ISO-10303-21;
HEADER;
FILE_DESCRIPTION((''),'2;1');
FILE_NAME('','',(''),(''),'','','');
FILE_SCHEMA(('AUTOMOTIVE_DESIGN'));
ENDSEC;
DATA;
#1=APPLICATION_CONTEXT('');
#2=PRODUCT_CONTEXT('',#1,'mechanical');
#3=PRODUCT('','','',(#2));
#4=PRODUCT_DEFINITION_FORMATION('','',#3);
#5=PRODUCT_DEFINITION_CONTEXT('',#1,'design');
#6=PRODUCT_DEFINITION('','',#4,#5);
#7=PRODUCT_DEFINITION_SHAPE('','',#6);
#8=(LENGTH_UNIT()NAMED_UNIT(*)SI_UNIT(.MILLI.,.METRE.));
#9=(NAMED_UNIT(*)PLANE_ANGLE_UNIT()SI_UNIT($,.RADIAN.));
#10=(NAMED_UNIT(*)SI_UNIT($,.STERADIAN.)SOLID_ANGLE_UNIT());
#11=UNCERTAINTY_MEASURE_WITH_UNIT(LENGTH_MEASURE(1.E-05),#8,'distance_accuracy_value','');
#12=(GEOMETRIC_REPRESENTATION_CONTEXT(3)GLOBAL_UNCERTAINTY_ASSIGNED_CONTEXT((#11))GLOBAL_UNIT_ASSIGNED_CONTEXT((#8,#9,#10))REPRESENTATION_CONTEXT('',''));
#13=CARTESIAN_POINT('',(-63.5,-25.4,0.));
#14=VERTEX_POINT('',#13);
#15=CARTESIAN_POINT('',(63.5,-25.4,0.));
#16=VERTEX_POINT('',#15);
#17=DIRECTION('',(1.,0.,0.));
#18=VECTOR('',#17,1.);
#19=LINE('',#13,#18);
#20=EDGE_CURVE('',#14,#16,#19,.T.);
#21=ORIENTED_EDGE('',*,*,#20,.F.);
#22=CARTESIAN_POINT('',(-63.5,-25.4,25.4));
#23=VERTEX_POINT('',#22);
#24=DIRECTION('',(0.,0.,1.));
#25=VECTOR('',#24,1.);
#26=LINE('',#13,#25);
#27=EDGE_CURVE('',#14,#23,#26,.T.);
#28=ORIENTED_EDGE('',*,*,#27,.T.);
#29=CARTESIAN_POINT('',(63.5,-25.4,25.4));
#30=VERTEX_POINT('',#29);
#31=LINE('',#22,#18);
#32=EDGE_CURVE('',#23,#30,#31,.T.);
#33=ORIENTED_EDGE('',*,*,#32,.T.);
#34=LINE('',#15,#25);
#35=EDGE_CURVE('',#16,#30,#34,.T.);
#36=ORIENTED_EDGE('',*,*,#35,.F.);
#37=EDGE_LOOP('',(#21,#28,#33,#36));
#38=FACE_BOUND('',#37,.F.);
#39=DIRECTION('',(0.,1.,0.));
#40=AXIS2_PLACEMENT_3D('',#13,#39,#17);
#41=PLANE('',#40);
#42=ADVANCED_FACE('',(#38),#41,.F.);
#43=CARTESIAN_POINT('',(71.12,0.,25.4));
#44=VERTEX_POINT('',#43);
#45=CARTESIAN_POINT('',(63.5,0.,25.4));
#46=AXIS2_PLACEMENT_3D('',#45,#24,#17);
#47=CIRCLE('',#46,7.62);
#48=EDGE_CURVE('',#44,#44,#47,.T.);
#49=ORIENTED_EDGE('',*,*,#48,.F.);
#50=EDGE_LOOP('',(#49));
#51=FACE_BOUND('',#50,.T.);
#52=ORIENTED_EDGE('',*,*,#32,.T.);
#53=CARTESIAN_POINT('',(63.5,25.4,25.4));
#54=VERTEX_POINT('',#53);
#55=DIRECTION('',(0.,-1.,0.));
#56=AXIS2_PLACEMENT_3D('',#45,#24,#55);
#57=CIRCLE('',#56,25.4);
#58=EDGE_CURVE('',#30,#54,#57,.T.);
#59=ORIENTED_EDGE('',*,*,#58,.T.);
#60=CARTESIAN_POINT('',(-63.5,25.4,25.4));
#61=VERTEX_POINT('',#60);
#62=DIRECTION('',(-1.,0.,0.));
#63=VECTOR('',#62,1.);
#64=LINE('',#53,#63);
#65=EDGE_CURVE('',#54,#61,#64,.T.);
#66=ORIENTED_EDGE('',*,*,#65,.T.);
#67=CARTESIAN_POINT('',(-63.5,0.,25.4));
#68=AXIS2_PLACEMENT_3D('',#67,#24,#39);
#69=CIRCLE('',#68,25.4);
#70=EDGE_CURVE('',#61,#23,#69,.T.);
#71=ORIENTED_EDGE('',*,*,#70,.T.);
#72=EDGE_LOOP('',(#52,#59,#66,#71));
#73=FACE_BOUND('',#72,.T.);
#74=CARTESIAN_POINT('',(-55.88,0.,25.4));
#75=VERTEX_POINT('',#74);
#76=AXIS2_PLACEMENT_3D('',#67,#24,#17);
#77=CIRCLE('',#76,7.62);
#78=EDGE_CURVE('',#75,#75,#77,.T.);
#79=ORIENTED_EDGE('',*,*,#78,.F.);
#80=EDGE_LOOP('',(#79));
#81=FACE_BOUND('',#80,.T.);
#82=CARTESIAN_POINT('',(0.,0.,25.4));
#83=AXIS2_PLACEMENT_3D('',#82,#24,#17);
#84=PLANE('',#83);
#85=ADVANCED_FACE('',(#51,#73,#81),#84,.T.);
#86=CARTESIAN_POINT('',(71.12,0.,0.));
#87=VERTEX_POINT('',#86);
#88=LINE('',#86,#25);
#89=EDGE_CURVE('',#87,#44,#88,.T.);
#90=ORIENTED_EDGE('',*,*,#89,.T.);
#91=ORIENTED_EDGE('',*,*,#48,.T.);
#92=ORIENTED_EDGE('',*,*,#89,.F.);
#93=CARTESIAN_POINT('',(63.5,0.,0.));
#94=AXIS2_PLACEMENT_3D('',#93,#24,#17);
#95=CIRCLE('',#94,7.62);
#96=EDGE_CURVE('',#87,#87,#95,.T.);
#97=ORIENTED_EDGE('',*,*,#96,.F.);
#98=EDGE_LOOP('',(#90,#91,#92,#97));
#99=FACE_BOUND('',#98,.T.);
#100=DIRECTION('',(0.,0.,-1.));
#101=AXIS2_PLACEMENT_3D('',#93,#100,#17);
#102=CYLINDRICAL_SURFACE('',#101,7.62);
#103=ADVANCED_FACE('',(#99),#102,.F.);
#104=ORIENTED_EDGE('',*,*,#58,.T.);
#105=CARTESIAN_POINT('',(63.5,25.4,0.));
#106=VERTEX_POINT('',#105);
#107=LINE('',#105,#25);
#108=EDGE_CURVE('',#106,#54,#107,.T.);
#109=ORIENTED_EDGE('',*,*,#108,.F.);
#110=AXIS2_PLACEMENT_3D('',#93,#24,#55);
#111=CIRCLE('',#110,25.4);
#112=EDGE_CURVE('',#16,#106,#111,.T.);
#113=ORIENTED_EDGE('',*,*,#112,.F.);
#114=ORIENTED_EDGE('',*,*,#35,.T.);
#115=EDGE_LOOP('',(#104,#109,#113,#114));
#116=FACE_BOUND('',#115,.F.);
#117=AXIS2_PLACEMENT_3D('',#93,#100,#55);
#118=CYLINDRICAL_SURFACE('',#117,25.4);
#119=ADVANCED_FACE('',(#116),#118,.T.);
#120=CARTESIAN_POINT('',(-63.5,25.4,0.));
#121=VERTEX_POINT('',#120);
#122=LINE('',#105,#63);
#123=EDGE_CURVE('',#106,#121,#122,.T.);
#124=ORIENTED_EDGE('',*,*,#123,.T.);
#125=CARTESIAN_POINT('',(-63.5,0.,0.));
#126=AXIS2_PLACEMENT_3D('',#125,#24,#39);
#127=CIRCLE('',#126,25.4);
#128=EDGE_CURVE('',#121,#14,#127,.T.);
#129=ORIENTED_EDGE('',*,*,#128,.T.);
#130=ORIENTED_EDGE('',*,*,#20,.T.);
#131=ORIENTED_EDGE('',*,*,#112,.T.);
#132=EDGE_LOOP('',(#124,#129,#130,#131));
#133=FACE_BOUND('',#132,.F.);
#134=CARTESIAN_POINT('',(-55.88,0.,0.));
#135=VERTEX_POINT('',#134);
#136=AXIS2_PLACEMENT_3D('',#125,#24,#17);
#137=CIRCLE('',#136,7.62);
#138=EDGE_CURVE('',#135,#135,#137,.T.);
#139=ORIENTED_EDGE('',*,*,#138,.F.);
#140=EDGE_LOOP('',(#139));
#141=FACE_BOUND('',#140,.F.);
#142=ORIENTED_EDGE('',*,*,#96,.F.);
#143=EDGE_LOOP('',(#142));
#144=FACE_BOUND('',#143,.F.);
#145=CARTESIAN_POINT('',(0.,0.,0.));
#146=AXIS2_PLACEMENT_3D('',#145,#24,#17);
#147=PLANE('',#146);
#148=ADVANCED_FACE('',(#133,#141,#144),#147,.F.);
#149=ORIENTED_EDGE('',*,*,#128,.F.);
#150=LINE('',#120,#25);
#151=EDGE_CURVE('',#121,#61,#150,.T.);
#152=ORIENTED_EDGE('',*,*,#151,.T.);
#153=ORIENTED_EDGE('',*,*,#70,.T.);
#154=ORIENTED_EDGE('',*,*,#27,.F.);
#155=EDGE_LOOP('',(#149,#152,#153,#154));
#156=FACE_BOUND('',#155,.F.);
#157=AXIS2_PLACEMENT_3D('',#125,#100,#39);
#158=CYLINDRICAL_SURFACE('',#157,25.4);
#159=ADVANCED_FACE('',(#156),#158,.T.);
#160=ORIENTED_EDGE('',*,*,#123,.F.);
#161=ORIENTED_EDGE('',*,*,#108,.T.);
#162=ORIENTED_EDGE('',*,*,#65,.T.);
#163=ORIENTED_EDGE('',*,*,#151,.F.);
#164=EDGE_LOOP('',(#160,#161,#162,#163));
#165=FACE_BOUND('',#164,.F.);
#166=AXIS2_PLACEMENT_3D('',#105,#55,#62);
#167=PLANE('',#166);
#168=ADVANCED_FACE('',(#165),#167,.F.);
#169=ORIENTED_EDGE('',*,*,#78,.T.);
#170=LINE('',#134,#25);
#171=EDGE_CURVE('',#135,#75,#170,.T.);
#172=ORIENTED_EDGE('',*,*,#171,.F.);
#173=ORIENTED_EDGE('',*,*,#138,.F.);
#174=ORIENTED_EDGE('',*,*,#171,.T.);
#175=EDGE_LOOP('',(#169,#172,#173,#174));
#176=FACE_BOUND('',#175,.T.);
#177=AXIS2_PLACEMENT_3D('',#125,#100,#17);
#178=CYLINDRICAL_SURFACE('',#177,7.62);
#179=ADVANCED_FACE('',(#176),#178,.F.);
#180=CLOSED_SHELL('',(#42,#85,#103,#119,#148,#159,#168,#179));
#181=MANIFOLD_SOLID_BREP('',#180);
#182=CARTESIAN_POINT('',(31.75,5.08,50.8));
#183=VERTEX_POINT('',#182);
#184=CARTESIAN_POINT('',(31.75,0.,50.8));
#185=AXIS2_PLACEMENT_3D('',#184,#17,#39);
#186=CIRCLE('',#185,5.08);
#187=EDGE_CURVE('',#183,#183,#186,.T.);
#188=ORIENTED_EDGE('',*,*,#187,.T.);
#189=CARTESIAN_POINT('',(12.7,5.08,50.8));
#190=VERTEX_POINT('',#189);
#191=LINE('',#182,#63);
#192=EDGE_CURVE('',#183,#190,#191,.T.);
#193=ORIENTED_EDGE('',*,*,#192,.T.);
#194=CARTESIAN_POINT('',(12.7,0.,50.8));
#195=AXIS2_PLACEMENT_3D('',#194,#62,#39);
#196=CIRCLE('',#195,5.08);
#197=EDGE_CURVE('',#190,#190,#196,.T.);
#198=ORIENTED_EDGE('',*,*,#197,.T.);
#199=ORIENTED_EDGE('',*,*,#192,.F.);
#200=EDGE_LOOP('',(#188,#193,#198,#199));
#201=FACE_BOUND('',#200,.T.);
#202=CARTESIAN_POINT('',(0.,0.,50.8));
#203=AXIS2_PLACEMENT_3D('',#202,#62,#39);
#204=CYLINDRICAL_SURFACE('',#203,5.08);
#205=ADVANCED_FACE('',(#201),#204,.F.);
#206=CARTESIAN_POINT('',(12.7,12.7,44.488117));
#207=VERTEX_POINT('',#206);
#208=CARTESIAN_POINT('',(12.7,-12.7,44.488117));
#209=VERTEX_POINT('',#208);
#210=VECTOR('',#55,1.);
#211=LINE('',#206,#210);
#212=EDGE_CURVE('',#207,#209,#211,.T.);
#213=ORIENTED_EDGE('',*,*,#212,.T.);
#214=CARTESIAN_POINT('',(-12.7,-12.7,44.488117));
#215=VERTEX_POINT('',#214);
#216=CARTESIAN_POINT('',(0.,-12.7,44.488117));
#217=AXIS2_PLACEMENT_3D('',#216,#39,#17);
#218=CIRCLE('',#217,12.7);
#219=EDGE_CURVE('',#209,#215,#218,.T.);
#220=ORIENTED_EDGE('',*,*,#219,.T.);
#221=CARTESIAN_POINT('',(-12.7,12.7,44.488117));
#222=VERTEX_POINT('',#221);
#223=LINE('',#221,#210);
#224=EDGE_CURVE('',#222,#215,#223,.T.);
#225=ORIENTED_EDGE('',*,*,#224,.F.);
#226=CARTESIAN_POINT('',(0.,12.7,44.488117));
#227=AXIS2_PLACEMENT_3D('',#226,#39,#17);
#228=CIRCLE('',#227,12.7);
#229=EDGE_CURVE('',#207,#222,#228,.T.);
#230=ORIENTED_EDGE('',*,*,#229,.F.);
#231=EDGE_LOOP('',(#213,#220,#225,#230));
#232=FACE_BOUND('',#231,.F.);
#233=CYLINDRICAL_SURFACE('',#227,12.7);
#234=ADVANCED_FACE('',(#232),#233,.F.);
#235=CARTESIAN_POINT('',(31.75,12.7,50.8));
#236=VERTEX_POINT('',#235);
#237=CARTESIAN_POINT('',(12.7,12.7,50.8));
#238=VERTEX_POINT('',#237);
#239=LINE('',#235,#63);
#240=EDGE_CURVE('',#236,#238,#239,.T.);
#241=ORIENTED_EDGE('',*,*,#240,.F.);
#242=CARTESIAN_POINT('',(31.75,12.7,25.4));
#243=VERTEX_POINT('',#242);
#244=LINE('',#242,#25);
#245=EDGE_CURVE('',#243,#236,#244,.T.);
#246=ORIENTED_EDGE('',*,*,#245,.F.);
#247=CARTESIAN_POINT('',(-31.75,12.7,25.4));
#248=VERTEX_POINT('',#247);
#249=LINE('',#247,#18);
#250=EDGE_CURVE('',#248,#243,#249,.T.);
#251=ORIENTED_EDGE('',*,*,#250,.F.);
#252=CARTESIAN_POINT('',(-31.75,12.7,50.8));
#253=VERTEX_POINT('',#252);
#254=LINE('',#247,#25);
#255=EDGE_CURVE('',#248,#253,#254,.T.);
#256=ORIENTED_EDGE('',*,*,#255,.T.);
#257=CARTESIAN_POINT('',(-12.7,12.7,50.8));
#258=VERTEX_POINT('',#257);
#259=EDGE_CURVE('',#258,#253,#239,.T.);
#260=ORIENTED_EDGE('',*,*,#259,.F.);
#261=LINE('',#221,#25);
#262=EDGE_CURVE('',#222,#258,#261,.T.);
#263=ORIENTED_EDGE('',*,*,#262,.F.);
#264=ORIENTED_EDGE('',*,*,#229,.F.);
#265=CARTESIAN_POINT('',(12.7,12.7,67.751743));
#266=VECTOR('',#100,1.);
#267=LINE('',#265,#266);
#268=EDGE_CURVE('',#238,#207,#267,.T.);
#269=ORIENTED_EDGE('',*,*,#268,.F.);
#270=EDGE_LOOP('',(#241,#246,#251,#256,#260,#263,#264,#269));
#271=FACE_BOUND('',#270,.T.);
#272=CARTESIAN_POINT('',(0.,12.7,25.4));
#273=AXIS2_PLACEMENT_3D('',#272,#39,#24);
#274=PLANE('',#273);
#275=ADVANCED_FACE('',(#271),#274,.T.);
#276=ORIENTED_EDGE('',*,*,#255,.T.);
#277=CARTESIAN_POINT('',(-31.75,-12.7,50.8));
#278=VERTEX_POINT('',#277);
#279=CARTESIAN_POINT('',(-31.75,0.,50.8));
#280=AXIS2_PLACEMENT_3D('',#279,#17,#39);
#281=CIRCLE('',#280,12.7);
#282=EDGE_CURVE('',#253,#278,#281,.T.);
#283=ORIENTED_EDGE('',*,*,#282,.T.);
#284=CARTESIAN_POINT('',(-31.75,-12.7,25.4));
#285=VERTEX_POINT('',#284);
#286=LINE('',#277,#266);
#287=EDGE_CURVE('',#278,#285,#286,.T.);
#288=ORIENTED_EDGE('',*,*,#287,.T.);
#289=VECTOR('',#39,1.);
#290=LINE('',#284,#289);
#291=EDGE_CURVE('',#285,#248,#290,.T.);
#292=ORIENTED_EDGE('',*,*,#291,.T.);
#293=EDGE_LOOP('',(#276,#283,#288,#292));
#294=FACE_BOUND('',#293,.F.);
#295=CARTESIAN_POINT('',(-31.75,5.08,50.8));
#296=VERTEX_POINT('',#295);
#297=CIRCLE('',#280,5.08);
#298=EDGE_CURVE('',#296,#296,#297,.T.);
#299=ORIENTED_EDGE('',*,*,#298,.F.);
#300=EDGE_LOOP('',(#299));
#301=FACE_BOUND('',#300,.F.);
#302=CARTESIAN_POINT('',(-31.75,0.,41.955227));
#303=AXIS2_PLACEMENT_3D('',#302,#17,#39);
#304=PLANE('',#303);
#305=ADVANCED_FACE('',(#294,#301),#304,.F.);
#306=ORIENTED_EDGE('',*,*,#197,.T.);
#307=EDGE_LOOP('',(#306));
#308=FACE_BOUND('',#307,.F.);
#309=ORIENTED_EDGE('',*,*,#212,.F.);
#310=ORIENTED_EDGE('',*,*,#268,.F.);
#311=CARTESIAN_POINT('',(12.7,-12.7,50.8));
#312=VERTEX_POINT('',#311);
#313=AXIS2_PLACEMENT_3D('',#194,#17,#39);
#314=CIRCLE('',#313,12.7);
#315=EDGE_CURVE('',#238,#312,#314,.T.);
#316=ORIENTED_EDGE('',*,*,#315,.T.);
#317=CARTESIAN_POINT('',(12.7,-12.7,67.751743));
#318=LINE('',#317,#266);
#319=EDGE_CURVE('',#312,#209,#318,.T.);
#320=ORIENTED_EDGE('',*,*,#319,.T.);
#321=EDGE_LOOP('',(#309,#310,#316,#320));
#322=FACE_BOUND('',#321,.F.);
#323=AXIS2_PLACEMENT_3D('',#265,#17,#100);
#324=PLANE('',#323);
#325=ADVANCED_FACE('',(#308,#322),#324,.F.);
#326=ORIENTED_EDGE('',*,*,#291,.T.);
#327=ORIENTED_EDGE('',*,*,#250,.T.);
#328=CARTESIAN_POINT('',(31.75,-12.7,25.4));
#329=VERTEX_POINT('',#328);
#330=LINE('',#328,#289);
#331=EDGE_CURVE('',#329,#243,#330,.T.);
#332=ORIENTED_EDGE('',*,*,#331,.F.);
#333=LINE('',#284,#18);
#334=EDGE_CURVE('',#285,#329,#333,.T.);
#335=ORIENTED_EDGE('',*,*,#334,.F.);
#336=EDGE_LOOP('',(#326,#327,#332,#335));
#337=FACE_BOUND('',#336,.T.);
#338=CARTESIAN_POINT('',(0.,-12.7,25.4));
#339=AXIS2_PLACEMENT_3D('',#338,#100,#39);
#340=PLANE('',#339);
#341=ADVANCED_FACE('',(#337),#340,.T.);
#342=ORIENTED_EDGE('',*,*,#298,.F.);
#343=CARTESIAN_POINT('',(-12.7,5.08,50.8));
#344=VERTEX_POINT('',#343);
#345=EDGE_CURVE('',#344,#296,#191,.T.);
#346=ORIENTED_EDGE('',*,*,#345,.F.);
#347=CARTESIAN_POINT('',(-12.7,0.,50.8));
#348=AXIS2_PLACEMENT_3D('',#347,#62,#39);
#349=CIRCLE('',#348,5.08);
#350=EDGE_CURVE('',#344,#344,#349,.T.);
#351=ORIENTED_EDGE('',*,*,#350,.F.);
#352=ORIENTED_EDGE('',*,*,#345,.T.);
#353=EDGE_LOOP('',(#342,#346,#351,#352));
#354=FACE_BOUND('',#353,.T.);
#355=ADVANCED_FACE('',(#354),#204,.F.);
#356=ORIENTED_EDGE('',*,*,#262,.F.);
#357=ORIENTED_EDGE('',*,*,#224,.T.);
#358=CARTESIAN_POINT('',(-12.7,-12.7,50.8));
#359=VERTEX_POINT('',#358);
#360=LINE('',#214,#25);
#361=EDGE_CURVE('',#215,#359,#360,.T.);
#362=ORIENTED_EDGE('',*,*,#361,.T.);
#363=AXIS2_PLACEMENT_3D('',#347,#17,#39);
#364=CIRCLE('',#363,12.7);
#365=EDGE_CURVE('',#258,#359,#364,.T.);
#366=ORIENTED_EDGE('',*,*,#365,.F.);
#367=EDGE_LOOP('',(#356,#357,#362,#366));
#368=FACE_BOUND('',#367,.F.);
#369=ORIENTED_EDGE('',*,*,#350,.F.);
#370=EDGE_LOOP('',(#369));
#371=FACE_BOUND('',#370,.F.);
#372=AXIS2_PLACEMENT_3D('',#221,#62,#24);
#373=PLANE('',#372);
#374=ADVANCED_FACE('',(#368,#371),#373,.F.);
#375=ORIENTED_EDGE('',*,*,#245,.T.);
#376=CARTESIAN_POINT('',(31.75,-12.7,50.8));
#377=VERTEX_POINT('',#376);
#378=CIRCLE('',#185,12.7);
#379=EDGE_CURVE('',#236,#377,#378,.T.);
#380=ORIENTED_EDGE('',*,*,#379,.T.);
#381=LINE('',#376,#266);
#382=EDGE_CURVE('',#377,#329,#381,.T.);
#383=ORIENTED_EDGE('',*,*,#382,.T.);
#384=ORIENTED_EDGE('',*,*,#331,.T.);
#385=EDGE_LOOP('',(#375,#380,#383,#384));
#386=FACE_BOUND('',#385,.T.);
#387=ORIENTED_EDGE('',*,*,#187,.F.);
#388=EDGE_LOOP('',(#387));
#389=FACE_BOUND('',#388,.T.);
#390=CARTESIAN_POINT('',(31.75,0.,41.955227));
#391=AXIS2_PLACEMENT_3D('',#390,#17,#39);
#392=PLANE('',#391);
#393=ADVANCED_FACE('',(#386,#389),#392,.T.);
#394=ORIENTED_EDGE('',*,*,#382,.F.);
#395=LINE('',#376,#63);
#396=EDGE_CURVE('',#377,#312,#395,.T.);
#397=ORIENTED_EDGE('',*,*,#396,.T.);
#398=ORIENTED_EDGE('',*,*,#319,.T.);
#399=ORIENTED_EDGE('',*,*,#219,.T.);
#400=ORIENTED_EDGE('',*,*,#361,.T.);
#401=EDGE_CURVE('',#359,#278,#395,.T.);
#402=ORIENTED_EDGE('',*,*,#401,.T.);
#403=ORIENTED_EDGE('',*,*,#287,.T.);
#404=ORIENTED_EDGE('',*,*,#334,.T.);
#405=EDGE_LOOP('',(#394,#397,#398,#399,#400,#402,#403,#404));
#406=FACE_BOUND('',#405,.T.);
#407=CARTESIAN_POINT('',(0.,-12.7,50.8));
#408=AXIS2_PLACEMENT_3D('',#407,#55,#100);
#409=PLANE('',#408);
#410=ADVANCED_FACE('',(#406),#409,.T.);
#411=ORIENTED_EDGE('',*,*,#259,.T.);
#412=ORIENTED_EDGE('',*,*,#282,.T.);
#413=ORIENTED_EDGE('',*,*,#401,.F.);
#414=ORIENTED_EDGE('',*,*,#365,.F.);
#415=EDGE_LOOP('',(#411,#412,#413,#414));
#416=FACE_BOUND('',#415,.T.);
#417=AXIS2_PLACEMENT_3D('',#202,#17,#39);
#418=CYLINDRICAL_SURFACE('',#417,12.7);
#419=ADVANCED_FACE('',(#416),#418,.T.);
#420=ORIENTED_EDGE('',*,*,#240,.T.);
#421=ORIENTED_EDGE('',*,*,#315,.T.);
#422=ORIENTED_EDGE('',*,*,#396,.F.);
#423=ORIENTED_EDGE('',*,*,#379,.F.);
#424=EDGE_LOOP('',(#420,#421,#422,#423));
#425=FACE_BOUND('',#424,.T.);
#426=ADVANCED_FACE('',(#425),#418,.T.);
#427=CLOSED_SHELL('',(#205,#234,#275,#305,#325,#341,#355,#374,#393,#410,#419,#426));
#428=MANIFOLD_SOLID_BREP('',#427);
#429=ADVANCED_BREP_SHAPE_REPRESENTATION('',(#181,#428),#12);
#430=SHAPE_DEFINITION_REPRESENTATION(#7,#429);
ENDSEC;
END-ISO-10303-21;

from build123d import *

# Parameters (mm, degrees)
F0_R     = 7.62
F1_DEPTH = 25.4
F2_R     = 5.08
F3_DEPTH = 31.75
F4_W     = 25.4
F4_H     = 16.951743
F5_DEPTH = 25.4


with BuildPart() as f1:
    # F0 (on Top) → F1 (new body)
    with BuildSketch(Plane.XY):
        with BuildLine():
            Line((63.5, 25.4), (-63.5, 25.4))
            ThreePointArc((-63.5, 25.4), (-88.9, 0), (-63.5, -25.4))
            Line((-63.5, -25.4), (63.5, -25.4))
            ThreePointArc((63.5, -25.4), (88.9, 0), (63.5, 25.4))
        make_face()
        with Locations((-63.5, 0)):
            Circle(F0_R, mode=Mode.SUBTRACT)
        with Locations((63.5, 0)):
            Circle(F0_R, mode=Mode.SUBTRACT)
    extrude(amount=F1_DEPTH)


with BuildPart() as f3:
    # F2 (on Right) → F3 (new body, symmetric)
    with BuildSketch(Plane.YZ):
        with BuildLine():
            Line((-12.7, 50.8), (-12.7, 25.4))
            Line((-12.7, 25.4), (12.7, 25.4))
            Line((12.7, 25.4), (12.7, 50.8))
            ThreePointArc((12.7, 50.8), (0, 63.5), (-12.7, 50.8))
        make_face()
        with Locations((0, 50.8)):
            Circle(F2_R, mode=Mode.SUBTRACT)
    extrude(amount=F3_DEPTH, both=True)

    # F4 (on face) → F5 (cut)
    with BuildSketch(Plane(origin=(0, 12.7, 0), x_dir=(-1, 0, 0), z_dir=(0, 1, 0))):
        with BuildLine():
            Line((-12.7, 50.8), (-12.7, 44.488117))
            ThreePointArc((-12.7, 44.488117), (0, 31.788117), (12.7, 44.488117))
            Line((12.7, 44.488117), (12.7, 50.8))
            Line((12.7, 50.8), (-12.7, 50.8))
        make_face()
        with Locations((0, 59.275871)):
            Rectangle(F4_W, F4_H)
    extrude(amount=-F5_DEPTH, mode=Mode.SUBTRACT)


solid = Compound([f1.part, f3.part])
